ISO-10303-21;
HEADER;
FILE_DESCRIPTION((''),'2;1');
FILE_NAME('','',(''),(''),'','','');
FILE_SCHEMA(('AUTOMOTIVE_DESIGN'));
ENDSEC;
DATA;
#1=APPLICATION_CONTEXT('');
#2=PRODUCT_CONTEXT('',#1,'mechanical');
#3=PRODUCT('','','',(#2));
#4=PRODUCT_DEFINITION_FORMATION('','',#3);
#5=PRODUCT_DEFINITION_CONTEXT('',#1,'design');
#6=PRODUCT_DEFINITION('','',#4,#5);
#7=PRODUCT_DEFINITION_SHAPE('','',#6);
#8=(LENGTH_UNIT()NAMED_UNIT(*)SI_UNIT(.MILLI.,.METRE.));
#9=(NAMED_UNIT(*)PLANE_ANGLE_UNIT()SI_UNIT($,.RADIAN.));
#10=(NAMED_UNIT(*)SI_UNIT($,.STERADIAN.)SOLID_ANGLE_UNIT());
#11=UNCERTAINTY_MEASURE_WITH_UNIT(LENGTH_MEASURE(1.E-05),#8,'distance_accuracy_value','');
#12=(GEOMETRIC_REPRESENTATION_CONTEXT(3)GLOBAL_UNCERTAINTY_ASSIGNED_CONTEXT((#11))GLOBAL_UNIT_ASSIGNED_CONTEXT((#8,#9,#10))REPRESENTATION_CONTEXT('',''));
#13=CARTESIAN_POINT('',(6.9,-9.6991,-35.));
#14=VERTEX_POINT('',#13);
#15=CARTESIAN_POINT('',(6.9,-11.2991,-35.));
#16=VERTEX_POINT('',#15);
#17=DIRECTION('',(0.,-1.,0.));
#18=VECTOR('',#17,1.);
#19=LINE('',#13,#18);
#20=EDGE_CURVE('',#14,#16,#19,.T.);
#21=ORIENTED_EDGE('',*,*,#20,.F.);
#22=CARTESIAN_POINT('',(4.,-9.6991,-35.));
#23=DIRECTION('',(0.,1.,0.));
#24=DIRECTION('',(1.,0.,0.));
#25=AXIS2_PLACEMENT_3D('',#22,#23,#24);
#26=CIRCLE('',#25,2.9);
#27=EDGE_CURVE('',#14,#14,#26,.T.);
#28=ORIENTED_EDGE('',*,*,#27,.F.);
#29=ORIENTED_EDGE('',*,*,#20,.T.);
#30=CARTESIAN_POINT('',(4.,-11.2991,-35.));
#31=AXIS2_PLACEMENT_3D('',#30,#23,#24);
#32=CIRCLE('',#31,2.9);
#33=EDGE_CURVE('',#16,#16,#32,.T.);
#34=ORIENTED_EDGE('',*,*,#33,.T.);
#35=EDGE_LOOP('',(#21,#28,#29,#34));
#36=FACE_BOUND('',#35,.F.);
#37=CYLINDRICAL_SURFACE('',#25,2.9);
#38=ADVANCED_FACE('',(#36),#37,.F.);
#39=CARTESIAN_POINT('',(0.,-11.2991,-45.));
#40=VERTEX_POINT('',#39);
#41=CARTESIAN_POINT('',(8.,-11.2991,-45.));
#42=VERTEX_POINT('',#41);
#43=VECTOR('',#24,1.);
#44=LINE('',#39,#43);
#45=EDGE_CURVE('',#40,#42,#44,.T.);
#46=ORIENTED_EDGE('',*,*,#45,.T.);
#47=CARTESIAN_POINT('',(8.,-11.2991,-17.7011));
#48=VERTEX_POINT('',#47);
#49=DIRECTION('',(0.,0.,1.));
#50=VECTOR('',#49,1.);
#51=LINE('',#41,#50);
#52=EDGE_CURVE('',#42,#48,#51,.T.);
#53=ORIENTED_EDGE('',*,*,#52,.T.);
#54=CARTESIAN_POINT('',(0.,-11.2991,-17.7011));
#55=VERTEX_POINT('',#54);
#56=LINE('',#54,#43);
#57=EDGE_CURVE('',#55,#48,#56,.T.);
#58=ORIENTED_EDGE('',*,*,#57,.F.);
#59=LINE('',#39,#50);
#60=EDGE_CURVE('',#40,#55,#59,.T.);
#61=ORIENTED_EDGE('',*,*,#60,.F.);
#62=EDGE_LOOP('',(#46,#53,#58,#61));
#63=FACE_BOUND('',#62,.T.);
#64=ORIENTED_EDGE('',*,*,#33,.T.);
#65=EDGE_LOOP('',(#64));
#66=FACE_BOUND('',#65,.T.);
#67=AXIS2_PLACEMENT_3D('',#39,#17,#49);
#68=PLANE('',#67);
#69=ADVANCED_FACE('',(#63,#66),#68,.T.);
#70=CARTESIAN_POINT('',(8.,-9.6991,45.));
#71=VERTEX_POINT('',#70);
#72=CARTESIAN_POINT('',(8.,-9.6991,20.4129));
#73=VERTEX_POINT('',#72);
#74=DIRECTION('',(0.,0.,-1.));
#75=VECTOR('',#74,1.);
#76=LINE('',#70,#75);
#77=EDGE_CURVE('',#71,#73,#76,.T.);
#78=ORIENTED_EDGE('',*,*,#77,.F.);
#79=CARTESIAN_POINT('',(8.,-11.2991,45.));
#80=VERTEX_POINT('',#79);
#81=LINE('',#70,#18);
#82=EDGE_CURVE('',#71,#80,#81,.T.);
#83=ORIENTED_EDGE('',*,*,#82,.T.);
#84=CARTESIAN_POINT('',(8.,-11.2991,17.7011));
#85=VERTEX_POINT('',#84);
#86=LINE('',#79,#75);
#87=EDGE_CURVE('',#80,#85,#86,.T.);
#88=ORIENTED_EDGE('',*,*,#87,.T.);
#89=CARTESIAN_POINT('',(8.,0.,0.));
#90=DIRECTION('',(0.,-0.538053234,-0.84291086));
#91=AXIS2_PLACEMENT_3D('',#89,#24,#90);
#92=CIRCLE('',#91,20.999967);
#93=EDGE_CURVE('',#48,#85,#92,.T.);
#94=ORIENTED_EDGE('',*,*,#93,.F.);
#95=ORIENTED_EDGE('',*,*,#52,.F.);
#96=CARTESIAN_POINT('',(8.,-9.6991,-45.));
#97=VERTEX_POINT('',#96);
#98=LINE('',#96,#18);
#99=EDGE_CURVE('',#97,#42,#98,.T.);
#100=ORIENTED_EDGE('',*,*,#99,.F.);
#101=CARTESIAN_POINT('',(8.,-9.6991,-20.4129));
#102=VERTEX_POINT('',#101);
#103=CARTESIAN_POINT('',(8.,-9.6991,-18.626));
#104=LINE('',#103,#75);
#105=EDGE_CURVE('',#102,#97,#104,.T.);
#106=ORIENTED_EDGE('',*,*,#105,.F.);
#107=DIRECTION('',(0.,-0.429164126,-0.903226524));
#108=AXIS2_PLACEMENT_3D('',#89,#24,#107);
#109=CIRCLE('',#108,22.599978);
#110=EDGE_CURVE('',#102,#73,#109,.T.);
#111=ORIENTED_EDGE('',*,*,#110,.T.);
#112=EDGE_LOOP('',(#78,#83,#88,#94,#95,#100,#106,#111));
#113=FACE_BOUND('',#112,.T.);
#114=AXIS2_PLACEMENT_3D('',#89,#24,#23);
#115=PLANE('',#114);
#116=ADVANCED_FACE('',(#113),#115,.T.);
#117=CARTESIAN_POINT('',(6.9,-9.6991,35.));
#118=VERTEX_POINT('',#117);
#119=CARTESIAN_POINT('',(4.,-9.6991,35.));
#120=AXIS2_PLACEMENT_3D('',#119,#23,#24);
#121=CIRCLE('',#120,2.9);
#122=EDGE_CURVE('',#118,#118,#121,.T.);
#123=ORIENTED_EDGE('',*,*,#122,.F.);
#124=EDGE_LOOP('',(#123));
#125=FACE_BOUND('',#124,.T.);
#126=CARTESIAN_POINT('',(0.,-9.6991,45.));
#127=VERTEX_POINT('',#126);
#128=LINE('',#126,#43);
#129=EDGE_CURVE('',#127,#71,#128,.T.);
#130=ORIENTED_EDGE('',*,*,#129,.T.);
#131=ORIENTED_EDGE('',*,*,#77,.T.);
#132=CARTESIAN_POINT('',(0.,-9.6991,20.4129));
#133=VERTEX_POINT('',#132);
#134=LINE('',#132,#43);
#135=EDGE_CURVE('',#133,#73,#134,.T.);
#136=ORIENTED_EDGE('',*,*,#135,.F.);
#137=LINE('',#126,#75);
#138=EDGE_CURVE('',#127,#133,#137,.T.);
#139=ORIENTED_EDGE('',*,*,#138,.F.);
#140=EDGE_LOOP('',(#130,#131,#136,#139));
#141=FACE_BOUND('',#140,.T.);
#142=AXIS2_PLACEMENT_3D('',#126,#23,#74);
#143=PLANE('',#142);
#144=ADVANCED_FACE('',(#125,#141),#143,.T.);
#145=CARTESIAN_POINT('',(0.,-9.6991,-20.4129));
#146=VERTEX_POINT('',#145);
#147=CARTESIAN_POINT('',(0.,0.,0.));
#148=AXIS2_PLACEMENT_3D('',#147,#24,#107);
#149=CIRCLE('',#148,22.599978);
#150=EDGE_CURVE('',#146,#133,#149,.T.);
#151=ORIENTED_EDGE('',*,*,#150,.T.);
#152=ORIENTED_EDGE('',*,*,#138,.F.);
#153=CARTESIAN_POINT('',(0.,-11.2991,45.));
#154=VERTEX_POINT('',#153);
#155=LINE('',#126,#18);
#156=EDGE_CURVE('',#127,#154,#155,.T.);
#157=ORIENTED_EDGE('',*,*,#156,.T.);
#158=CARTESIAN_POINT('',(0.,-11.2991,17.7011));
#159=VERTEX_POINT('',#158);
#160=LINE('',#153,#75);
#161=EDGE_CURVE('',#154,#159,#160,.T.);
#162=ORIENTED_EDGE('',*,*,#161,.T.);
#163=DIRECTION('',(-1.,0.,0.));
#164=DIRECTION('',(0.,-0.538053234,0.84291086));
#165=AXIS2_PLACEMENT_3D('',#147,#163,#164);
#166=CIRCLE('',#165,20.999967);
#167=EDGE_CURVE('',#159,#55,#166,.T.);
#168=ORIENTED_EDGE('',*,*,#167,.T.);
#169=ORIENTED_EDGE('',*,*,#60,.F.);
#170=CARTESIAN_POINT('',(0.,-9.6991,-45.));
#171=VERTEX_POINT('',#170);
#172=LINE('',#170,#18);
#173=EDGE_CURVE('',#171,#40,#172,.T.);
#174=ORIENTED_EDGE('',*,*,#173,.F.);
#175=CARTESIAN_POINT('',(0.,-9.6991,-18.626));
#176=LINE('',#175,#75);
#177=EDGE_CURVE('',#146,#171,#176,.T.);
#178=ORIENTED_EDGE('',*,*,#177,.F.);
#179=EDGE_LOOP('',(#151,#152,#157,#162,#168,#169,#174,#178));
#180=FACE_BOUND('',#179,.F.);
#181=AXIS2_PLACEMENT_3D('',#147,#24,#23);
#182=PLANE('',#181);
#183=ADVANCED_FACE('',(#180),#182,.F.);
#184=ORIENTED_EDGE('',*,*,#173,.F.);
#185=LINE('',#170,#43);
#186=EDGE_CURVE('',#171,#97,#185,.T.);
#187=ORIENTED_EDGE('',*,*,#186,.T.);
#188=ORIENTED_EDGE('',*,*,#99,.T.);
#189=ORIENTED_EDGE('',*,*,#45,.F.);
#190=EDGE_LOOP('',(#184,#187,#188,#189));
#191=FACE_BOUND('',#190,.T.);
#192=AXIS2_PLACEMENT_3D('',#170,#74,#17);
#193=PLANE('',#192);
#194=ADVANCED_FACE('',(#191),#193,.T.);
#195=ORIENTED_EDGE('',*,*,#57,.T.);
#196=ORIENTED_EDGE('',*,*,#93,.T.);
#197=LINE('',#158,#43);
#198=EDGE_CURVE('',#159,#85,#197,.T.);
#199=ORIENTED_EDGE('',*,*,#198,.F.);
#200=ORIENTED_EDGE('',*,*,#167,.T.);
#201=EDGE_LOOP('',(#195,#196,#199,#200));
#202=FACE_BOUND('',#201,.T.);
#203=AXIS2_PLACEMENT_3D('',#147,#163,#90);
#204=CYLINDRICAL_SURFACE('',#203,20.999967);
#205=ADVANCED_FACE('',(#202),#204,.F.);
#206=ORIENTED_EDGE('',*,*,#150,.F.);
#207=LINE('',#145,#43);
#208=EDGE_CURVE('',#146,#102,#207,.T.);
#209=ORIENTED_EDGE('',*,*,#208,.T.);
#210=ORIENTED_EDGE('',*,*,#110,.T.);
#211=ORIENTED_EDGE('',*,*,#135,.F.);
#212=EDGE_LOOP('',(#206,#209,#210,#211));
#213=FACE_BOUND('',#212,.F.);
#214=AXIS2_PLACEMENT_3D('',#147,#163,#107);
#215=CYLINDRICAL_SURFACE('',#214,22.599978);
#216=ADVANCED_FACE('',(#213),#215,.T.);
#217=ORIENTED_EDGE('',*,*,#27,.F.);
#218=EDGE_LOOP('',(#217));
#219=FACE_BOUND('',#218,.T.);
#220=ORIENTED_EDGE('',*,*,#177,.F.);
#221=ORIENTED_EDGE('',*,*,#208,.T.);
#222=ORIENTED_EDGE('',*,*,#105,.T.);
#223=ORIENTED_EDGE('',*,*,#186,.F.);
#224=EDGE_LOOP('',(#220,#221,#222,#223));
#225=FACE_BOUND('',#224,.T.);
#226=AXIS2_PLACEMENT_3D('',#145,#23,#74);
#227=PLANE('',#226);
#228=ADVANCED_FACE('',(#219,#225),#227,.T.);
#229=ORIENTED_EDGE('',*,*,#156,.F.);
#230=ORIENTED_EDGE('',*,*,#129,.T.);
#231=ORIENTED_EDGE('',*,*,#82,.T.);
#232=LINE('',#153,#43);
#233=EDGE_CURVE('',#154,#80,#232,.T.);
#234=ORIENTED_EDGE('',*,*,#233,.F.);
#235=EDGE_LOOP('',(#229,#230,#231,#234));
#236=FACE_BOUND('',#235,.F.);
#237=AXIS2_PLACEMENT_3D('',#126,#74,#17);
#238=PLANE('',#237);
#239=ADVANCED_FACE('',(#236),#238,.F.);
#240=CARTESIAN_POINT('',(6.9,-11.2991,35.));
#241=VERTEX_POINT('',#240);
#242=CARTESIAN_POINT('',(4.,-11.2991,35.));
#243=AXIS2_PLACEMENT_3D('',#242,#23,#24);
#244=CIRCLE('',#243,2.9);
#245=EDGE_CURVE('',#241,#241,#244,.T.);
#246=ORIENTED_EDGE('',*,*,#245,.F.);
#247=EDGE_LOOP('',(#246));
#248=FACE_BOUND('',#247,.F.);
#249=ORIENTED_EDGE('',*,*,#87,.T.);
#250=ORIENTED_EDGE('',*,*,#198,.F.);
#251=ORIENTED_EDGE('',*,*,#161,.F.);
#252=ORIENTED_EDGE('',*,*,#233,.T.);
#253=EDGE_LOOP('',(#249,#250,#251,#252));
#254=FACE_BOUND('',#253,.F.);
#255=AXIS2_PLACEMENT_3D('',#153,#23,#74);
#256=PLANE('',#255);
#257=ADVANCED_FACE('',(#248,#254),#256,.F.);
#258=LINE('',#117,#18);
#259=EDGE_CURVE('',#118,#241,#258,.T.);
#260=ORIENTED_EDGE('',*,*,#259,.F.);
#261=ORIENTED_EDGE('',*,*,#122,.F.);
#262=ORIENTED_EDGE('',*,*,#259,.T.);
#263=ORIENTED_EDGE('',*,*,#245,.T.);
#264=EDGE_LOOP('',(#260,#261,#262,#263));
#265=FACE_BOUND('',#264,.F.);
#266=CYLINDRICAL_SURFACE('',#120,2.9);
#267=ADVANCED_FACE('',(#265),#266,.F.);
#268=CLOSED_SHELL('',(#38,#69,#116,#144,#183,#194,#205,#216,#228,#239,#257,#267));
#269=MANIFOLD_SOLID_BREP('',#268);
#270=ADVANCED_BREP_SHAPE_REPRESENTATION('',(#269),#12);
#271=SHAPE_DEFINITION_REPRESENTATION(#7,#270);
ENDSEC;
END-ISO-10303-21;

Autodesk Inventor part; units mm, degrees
ref_plane "YZ Plane" through (0, 0, 0) normal (1, 0, 0) x (0, 1, 0)
ref_plane "XZ Plane" through (0, 0, 0) normal (0, 1, 0) x (-1, 0, 0)
ref_plane "XY Plane" through (0, 0, 0) normal (0, 0, 1) x (1, 0, 0)
sketch "Sketch9" plane through (0, 0, 0) normal (1, 0, 0) x (0, 1, 0)
  arc A0 (-11.2991, -17.7011) -> (-11.2991, 17.7011) centre (0, 0) ccw
  arc A1 (-9.6991, -20.4129) -> (-9.6991, 20.4129) centre (0, 0) ccw
  line L0 (-9.6991, 45) -> (-11.2991, 45)
  line L1 (-11.2991, 45) -> (-11.2991, 17.7011)
  line L2 (-9.6991, 0) -> (-16.1126, 0) construction
  line L3 (-9.6991, -45) -> (-11.2991, -45)
  line L4 (-11.2991, -45) -> (-11.2991, -17.7011)
  line L5 (-9.6991, 45) -> (-9.6991, 18.626)
  line L6 (-9.6991, -18.626) -> (-9.6991, -45)
  dimension "d36" = 42
  dimension "d37" = 45.2
  dimension "d38" = 90
  dimension "d39" = 45
  dimension "d40" = 1.6
extrude "Extrusion5" add sketch "Sketch9" along normal blind 8
sketch "Sketch10" plane through (0, -9.6991, 45) normal (0, 1, 0) x (1, 0, 0)
  circle A0 centre (4, 10) radius 2.9
  circle A1 centre (4, 80) radius 2.9
  line L0 (0, 0) -> (8, 0) projected
  line L1 (0, 90) -> (8, 90) projected
  line L2 (8, 90) -> (8, 65.4129) projected
  line L3 (0, 24.5871) -> (0, 0) projected
  point P0 (0, 45)
  dimension "d43" = 5.8
  dimension "d44" = 5.8
  dimension "d45" = 10
  dimension "d46" = 10
  dimension "d47" = 4
  dimension "d48" = 4
extrude "Extrusion6" cut sketch "Sketch10" against normal through all
